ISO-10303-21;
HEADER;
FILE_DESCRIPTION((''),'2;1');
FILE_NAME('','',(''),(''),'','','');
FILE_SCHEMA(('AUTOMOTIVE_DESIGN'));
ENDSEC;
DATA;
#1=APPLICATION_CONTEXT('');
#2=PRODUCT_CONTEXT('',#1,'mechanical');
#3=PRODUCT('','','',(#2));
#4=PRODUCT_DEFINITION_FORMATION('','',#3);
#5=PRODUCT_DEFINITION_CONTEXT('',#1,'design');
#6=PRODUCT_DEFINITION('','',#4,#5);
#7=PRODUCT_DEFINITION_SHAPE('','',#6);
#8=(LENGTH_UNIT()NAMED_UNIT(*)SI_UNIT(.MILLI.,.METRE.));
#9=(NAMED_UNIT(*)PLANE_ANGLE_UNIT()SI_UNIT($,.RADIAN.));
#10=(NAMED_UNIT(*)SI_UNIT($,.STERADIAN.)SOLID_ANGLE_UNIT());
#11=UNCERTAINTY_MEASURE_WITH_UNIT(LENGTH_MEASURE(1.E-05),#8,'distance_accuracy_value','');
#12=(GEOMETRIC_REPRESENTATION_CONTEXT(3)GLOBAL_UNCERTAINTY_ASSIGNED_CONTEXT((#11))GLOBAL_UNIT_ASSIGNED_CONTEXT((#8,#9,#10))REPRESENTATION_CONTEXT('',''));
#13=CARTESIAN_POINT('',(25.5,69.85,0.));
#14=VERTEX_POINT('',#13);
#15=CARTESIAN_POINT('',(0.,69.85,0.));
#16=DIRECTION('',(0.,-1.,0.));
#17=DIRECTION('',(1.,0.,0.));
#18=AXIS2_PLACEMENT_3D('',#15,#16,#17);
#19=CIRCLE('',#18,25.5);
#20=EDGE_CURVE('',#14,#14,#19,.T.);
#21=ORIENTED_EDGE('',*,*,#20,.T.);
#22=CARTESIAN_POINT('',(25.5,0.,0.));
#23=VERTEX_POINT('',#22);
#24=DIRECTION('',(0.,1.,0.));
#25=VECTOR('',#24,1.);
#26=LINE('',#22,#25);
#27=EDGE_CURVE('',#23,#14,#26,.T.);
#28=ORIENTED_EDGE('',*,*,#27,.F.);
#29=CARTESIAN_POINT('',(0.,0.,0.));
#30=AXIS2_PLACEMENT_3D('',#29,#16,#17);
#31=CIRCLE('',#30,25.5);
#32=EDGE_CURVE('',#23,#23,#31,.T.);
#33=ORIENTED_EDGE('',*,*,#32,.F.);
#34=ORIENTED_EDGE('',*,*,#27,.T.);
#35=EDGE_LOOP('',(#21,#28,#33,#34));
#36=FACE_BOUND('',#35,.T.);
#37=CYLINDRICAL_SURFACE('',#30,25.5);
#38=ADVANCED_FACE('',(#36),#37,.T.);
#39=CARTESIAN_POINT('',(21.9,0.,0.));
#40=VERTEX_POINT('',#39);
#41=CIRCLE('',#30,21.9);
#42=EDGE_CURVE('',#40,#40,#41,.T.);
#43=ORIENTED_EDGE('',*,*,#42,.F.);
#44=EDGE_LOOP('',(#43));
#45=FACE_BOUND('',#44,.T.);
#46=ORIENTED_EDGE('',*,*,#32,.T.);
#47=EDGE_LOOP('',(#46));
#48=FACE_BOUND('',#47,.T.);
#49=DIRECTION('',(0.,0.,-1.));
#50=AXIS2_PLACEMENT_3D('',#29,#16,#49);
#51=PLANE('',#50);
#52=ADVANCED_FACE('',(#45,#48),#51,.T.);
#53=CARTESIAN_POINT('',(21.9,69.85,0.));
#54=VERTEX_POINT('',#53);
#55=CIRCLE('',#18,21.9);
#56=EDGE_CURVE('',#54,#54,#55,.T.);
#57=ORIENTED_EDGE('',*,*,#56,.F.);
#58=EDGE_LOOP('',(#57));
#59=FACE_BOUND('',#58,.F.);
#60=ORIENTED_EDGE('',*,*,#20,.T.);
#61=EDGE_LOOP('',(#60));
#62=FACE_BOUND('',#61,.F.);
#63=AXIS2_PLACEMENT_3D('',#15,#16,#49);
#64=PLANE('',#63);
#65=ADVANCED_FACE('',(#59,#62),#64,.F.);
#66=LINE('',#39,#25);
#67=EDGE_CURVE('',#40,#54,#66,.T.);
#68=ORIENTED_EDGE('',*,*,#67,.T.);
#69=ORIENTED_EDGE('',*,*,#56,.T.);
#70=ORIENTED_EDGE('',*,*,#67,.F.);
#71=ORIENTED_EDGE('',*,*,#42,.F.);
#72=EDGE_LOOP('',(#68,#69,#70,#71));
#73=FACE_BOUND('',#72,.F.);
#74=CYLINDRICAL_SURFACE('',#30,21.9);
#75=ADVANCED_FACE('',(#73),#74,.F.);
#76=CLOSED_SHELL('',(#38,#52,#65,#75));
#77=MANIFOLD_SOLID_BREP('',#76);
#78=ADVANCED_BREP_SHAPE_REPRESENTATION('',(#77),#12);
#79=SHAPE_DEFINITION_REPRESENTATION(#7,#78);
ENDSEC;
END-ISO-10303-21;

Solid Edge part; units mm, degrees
sketch "Sketch1" plane through (0, 0, 0) normal (0, -1, 0) x (1, 0, 0)
  circle A0 centre (0, 0) radius 21.9
  circle A1 centre (0, 0) radius 25.5
  dimension "D1" = 51
  dimension "D2" = 3.6
extrude "Protrusion1" add sketch "Sketch1" against normal blind 69.85
